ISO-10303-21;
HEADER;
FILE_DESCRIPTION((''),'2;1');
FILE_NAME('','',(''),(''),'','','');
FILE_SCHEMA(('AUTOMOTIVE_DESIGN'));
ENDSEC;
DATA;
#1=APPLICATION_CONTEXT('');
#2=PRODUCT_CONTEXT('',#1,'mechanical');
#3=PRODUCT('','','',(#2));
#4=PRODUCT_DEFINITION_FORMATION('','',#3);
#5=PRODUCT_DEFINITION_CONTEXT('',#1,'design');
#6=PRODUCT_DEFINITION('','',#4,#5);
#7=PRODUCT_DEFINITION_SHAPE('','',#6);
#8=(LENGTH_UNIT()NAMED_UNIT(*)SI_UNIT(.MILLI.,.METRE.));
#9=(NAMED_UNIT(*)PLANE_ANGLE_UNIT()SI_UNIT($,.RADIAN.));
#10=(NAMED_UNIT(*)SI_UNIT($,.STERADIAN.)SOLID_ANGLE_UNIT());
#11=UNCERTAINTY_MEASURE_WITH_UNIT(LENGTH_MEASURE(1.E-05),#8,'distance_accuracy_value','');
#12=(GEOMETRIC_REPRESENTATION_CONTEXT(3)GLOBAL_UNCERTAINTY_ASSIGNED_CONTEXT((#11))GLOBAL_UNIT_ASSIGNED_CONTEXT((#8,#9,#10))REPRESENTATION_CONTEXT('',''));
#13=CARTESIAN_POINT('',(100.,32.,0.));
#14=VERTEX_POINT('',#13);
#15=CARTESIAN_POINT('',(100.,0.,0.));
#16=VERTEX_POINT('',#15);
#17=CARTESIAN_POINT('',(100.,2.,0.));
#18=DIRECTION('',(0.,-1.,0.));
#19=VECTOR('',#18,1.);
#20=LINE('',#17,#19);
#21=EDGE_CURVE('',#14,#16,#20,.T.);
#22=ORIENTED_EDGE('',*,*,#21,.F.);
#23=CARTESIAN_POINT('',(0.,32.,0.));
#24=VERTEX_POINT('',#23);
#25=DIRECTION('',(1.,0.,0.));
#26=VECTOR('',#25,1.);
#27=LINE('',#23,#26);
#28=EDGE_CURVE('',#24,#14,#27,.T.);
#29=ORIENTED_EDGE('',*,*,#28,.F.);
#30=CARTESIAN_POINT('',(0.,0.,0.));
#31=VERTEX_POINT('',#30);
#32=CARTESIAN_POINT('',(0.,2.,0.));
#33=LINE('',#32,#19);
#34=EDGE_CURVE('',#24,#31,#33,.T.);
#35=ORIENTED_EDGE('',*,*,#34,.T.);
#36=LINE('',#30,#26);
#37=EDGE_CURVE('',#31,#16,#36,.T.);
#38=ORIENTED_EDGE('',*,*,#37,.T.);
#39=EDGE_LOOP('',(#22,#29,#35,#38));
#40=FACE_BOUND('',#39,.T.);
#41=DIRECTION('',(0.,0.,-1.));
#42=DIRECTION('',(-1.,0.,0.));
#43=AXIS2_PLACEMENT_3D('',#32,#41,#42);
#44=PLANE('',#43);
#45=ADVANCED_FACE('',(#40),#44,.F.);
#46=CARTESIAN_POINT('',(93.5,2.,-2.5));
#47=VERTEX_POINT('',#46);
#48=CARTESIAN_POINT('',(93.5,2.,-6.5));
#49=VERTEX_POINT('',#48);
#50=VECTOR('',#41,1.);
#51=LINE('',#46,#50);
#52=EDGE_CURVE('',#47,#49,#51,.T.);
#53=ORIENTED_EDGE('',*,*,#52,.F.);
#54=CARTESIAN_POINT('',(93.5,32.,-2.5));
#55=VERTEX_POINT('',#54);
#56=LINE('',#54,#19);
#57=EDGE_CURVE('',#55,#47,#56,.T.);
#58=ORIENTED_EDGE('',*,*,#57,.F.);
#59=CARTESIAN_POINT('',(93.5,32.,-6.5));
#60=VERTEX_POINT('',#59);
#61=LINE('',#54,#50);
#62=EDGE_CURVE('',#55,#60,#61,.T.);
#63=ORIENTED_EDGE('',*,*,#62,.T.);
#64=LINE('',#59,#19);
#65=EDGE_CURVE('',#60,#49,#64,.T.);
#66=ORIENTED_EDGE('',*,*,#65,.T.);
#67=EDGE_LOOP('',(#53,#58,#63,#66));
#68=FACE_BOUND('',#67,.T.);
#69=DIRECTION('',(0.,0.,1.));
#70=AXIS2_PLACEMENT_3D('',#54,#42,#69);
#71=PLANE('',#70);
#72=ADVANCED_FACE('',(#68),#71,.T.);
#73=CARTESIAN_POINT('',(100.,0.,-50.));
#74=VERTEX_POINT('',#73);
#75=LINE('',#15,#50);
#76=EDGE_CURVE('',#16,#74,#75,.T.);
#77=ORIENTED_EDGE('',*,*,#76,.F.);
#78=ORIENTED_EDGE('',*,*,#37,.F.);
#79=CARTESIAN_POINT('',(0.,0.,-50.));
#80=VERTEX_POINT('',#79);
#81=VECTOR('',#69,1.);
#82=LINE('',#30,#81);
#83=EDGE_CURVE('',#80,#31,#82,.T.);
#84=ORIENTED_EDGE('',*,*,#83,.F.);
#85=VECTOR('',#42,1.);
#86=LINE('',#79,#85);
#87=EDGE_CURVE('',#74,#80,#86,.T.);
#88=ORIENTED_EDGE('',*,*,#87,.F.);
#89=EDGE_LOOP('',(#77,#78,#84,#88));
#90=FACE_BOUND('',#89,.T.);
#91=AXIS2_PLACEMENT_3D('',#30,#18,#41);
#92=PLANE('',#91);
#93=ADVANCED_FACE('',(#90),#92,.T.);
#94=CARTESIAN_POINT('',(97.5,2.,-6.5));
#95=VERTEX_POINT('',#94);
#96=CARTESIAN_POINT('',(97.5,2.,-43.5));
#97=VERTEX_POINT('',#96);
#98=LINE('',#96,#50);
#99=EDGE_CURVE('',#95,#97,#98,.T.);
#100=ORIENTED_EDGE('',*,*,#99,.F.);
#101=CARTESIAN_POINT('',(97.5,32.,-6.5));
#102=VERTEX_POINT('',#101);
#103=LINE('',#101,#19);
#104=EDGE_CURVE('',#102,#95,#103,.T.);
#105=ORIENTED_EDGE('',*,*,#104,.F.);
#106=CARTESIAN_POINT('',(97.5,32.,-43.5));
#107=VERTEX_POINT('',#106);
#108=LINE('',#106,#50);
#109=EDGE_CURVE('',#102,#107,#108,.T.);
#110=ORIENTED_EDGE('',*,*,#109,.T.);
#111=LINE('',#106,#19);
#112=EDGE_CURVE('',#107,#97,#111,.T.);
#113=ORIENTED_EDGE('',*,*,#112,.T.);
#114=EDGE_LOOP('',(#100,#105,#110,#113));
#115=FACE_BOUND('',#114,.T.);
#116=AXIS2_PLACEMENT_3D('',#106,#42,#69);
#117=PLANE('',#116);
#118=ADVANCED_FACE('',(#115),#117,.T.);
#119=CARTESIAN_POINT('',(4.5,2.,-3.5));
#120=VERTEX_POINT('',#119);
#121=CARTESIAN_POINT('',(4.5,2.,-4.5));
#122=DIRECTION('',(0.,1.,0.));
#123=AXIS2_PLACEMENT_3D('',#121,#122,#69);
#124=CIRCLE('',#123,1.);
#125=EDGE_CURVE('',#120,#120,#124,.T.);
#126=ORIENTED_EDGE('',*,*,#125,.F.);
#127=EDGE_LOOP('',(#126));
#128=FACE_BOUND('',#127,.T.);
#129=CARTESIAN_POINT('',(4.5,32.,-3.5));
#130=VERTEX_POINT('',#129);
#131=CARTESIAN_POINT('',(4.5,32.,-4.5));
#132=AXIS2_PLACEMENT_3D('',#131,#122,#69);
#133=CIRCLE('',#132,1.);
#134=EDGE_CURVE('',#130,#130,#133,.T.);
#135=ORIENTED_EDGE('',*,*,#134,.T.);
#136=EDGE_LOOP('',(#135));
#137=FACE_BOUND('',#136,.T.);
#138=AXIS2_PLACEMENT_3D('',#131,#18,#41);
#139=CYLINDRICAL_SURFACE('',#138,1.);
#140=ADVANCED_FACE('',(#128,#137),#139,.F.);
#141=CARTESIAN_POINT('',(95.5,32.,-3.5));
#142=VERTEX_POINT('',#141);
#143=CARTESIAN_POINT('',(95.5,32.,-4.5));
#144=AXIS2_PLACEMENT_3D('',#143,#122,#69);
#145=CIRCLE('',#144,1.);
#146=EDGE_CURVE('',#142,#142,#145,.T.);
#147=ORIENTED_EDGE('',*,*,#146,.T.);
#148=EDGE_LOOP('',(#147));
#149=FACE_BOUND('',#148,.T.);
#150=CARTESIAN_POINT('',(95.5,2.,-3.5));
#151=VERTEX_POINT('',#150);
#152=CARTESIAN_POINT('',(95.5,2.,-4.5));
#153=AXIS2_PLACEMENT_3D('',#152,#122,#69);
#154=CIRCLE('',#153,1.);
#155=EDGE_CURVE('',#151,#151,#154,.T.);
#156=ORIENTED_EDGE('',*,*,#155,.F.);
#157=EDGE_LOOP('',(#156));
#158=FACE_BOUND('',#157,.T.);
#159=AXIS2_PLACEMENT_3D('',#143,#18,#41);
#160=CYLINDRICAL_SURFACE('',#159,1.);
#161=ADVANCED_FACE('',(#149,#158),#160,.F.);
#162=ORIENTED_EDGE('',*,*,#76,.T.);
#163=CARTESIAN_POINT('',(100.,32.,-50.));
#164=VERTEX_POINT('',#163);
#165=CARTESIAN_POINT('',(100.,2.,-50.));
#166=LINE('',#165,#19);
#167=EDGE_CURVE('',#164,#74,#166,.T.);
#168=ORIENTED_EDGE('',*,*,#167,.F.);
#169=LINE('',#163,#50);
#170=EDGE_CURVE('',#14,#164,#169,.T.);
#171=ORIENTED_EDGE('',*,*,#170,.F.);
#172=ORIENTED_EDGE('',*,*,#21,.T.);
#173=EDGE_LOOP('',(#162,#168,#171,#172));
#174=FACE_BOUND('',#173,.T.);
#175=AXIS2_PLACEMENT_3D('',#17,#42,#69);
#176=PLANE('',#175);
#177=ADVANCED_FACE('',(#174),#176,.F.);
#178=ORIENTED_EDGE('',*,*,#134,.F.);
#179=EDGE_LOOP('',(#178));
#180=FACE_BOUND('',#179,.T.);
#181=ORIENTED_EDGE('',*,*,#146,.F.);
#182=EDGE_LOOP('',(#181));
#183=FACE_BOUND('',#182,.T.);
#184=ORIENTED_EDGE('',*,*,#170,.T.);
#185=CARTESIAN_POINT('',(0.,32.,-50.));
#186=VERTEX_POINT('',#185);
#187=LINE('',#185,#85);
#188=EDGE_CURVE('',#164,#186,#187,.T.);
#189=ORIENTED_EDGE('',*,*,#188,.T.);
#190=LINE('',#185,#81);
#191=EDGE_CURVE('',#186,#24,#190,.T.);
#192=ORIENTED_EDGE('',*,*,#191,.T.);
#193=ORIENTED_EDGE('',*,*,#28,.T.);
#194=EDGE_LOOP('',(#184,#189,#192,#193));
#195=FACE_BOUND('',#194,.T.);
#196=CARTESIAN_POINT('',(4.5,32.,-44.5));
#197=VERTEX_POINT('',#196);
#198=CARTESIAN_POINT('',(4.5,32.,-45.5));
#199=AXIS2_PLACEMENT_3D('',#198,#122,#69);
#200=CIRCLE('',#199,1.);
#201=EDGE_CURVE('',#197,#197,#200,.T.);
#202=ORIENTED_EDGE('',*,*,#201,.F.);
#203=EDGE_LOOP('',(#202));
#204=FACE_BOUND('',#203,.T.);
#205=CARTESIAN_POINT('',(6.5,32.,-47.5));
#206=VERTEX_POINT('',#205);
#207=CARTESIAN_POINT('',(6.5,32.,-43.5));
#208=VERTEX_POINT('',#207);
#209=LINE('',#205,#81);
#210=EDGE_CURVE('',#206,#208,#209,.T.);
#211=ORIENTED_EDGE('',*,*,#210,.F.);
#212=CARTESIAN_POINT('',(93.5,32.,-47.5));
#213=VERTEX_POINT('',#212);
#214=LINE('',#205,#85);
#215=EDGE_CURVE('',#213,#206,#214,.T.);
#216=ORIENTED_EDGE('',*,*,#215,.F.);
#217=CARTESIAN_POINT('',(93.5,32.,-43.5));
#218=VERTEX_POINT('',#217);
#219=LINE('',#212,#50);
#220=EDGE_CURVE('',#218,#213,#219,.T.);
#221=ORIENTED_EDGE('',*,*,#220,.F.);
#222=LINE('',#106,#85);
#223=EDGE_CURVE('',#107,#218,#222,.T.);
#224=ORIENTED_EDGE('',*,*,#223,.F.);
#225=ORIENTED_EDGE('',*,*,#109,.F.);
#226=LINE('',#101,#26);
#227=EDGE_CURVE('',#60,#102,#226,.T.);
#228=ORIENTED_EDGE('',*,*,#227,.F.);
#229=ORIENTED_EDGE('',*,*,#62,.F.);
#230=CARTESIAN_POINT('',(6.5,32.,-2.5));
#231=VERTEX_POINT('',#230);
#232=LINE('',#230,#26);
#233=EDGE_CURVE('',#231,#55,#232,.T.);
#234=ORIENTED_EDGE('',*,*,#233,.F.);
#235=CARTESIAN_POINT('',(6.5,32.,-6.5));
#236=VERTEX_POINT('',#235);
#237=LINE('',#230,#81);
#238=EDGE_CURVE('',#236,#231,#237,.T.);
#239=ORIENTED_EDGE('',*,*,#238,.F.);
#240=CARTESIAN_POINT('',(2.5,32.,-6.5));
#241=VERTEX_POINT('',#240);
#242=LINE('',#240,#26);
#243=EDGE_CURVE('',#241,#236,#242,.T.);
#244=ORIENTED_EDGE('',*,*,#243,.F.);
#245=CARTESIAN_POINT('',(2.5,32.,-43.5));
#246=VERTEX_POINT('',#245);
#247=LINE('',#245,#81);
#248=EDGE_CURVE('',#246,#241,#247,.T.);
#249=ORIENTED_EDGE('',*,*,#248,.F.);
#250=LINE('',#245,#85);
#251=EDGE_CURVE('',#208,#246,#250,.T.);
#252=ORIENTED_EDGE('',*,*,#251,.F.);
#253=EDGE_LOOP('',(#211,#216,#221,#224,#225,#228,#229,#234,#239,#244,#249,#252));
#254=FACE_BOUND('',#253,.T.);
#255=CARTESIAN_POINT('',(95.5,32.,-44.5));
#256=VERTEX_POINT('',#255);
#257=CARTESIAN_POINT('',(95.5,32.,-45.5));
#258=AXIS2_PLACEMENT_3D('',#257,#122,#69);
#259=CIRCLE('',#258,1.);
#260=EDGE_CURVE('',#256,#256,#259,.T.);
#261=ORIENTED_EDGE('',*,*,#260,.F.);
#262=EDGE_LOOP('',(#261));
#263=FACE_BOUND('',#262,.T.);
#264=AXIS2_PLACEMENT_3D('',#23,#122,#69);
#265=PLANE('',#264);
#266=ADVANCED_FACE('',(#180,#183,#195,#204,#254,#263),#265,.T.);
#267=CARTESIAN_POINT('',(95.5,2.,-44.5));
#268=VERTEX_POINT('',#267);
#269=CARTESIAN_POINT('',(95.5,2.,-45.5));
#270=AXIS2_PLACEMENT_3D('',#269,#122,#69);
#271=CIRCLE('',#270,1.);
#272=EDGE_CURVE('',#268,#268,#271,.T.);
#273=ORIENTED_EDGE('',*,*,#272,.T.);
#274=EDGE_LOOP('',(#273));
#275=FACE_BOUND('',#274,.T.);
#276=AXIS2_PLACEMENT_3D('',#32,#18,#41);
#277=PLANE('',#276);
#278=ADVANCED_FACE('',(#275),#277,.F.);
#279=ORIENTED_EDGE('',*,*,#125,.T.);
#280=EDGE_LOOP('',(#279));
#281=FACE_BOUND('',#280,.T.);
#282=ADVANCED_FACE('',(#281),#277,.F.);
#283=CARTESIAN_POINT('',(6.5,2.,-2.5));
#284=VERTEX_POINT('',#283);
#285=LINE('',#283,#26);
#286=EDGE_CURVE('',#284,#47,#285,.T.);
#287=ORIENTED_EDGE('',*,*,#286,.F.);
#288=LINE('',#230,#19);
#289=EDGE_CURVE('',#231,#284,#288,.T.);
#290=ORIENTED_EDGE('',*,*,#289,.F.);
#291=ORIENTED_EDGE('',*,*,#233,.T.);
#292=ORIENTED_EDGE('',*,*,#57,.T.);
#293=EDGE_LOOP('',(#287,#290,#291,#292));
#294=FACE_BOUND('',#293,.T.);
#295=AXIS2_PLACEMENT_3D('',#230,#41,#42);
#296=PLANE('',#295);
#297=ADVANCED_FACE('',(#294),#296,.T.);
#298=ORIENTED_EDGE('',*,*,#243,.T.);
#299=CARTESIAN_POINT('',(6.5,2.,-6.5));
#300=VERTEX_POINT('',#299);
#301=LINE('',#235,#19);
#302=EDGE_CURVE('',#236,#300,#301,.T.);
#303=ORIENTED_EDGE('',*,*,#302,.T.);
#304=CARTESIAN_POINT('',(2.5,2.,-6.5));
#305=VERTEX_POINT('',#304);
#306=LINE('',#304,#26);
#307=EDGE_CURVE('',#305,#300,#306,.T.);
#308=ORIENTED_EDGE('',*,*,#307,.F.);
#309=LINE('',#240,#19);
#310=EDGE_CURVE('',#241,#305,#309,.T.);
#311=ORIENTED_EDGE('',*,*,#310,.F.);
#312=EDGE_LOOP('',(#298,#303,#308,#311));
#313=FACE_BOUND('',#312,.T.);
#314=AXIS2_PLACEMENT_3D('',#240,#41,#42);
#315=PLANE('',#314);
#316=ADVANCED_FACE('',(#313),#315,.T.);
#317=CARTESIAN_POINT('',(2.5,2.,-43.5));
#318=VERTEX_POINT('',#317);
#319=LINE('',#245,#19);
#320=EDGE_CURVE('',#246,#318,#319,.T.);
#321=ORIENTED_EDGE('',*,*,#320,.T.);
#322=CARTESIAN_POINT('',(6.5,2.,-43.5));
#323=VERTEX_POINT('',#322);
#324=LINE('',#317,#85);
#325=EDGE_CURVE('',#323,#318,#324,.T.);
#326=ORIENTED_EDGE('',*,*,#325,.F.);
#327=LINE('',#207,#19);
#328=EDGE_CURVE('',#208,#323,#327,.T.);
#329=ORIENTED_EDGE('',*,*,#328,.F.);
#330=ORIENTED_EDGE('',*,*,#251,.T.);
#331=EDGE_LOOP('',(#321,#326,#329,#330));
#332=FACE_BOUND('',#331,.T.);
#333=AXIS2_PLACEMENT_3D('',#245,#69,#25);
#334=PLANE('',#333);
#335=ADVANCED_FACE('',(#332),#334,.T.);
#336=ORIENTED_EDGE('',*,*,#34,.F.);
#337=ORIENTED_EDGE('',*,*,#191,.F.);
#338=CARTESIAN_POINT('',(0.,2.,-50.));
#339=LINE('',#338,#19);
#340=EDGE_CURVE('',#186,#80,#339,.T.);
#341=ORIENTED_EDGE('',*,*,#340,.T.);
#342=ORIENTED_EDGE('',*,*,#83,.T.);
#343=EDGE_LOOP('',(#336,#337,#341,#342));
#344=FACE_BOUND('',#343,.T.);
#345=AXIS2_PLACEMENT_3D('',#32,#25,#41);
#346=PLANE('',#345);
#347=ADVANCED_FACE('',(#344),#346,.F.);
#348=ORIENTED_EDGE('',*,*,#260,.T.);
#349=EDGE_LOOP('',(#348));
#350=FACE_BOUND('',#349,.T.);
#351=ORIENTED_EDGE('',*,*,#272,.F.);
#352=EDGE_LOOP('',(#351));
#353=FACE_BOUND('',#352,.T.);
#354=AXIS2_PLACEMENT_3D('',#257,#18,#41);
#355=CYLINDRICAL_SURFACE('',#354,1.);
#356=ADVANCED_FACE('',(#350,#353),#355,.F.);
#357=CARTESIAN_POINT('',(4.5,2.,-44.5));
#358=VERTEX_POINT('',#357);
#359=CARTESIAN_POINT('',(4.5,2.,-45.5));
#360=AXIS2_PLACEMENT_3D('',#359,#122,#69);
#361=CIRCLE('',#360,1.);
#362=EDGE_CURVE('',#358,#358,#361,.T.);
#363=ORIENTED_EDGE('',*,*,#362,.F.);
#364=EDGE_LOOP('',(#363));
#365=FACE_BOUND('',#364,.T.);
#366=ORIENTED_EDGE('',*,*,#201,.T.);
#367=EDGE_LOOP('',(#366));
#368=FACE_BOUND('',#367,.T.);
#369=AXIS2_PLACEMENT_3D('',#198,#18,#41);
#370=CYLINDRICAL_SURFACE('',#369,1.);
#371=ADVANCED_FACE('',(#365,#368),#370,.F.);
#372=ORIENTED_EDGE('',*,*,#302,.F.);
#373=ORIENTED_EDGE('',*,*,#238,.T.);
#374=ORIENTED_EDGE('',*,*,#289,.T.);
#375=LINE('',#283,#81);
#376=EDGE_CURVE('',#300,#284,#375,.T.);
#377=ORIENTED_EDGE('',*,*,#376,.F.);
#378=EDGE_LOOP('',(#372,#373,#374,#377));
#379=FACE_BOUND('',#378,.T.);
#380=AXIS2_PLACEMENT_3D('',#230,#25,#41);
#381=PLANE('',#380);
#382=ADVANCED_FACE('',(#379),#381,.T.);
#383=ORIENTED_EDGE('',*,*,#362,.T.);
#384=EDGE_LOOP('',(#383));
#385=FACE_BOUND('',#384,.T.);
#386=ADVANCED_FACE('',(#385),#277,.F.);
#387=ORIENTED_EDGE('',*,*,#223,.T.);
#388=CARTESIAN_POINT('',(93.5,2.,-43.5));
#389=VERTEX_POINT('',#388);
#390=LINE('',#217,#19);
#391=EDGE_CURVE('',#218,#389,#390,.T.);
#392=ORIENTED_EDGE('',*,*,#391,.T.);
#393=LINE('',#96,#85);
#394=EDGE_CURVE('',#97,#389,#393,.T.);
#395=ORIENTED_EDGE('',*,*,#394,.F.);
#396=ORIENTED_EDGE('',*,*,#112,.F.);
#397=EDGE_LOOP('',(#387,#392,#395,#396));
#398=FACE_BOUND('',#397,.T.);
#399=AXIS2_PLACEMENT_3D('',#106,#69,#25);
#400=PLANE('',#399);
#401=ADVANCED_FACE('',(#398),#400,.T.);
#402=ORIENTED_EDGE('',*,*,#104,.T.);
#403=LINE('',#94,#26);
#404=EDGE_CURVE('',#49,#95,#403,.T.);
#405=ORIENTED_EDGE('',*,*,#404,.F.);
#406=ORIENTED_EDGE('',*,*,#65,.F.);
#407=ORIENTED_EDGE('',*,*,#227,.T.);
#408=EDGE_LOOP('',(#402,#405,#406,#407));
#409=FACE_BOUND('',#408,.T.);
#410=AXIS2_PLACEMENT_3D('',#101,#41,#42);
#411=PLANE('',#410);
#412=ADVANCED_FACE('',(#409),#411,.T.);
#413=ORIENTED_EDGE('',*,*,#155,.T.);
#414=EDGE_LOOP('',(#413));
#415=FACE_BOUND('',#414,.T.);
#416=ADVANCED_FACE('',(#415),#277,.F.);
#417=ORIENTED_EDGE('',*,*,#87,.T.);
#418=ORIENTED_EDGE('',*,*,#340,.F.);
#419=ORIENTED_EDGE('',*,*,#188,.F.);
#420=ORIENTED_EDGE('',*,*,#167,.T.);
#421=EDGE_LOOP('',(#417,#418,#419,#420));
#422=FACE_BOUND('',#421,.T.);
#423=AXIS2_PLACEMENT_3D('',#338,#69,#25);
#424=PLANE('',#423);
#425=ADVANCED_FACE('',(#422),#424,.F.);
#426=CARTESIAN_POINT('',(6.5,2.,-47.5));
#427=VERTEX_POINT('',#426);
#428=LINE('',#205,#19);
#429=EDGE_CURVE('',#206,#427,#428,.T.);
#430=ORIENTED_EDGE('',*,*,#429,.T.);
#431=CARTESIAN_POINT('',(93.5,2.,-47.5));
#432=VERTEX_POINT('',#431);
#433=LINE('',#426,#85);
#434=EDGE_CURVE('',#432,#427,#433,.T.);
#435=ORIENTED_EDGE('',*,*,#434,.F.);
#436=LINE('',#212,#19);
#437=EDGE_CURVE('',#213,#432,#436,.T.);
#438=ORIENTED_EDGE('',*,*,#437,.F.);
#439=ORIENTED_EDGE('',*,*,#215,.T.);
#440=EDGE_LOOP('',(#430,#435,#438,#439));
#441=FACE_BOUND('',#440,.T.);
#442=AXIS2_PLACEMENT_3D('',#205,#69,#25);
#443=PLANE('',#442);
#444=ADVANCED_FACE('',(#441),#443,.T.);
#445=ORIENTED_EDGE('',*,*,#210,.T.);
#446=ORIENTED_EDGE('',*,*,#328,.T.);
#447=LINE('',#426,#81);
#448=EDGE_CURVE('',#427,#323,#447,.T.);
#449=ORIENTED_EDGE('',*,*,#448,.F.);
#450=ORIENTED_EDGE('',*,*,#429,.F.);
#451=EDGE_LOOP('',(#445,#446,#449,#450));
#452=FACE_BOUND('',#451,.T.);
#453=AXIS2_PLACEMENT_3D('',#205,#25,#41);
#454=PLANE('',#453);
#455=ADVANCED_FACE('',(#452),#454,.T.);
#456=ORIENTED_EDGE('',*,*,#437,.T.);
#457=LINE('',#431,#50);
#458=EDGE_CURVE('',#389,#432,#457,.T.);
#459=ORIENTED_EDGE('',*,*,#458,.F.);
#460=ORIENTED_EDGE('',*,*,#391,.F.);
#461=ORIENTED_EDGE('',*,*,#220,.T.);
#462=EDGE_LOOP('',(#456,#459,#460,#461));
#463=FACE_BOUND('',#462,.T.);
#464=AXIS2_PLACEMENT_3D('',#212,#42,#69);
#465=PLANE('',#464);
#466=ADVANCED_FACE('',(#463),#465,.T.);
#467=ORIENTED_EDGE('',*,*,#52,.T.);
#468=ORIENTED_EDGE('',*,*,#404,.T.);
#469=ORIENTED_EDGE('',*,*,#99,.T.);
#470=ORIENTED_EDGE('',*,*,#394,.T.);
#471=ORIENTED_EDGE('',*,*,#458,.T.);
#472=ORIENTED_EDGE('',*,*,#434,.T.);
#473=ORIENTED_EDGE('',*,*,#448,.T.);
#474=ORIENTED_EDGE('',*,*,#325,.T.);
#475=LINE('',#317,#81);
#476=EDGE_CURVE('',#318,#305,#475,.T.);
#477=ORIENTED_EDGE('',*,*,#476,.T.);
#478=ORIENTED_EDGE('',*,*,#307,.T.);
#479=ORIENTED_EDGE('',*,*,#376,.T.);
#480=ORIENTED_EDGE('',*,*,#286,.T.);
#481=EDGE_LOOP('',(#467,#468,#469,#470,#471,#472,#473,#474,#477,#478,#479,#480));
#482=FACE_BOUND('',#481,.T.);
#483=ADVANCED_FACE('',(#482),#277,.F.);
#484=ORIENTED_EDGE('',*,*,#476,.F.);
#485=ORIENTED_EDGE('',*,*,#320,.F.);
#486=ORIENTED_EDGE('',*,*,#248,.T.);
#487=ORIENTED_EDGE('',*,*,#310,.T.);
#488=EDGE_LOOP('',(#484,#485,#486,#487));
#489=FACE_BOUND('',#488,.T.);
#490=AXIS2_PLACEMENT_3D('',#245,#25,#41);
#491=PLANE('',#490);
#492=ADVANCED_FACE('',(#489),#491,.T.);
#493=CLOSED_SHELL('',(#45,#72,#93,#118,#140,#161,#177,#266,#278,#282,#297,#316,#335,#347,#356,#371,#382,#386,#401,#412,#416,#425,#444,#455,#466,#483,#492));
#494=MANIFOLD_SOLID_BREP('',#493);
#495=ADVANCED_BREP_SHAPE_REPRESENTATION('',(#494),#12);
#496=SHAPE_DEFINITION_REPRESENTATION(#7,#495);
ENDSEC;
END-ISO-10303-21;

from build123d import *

# Parameters (mm, degrees)
SKETCH1_W           = 100
SKETCH1_H           = 50
BOSS_EXTRUDE1_DEPTH = 2
SKETCH3_W           = 100
SKETCH3_H           = 50
SKETCH3_R           = 1
BOSS_EXTRUDE2_DEPTH = 30


with BuildPart() as part:
    # Sketch1 → Boss-Extrude1 (new body)
    with BuildSketch(Plane(origin=(0, 0, 0), x_dir=(1, 0, 0), z_dir=(0, 1, 0))):
        with Locations((50, 25)):
            Rectangle(SKETCH1_W, SKETCH1_H)
    extrude(amount=BOSS_EXTRUDE1_DEPTH)

    # Sketch3 → Boss-Extrude2 (add)
    with BuildSketch(Plane(origin=(0, 2, 0), x_dir=(1, 0, 0), z_dir=(0, 1, 0))):
        with Locations((50, 25)):
            Rectangle(SKETCH3_W, SKETCH3_H)
        with Locations(Location((4.5, 45.5, 0), (0, 0, 270))):
            Circle(SKETCH3_R, mode=Mode.SUBTRACT)
        with Locations(Location((95.5, 45.5, 0), (0, 0, 270))):
            Circle(SKETCH3_R, mode=Mode.SUBTRACT)
        with Locations(Location((95.5, 4.5, 0), (0, 0, 270))):
            Circle(SKETCH3_R, mode=Mode.SUBTRACT)
        with Locations(Location((4.5, 4.5, 0), (0, 0, 270))):
            Circle(SKETCH3_R, mode=Mode.SUBTRACT)
        Polygon((6.5, 47.5), (93.5, 47.5), (93.5, 43.5), (97.5, 43.5), (97.5, 6.5), (93.5, 6.5), (93.5, 2.5), (6.5, 2.5), (6.5, 6.5), (2.5, 6.5), (2.5, 43.5), (6.5, 43.5), align=None, mode=Mode.SUBTRACT)
    extrude(amount=BOSS_EXTRUDE2_DEPTH)


solid = part.part
